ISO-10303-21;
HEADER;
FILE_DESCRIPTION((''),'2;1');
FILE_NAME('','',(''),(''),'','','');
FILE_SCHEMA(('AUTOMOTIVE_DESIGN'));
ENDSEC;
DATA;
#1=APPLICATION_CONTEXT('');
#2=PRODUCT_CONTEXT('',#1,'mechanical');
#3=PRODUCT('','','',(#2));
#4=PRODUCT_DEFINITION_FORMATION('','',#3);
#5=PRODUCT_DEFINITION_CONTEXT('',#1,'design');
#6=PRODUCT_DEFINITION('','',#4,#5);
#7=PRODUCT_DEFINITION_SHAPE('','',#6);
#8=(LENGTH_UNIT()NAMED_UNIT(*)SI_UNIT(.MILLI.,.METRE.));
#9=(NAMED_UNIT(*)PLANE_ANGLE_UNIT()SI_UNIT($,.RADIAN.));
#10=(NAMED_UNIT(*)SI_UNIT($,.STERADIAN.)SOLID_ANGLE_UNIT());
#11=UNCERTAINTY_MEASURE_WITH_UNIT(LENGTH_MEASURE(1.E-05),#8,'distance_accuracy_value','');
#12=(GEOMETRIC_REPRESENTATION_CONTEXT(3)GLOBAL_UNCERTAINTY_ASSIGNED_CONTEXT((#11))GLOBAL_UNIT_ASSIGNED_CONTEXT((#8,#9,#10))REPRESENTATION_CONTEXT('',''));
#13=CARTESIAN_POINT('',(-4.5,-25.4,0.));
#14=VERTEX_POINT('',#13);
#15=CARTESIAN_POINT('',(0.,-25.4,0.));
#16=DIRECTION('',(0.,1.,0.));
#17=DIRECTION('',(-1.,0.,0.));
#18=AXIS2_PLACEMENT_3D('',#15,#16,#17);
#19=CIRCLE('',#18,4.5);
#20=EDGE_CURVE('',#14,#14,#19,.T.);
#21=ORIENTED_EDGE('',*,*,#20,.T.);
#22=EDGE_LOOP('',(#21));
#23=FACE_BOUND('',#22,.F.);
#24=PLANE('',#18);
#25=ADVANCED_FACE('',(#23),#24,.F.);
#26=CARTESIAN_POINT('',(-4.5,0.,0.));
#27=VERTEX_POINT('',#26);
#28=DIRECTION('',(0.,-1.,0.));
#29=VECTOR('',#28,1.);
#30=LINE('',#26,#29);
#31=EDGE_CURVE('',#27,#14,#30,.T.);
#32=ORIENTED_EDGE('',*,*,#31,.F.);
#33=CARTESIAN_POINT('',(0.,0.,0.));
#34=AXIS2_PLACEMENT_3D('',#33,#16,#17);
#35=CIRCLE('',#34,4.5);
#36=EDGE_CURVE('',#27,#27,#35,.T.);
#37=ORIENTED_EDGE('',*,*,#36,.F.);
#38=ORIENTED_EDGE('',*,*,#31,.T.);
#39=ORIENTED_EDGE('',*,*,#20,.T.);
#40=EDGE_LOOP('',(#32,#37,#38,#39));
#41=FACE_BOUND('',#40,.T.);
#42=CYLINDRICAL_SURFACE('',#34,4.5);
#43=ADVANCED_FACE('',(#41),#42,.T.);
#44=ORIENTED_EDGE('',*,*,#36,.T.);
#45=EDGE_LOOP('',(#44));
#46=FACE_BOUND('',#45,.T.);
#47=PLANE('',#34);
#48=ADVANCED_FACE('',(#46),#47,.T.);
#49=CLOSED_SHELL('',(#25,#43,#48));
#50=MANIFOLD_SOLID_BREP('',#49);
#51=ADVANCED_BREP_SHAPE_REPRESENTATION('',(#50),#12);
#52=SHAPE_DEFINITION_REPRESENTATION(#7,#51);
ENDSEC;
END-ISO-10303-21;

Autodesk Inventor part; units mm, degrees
ref_plane "YZ Plane" through (0, 0, 0) normal (1, 0, 0) x (0, 1, 0)
ref_plane "XZ Plane" through (0, 0, 0) normal (0, 1, 0) x (-1, 0, 0)
ref_plane "XY Plane" through (0, 0, 0) normal (0, 0, 1) x (1, 0, 0)
sketch "Sketch1" plane through (0, 0, 0) normal (0, 1, 0) x (-1, 0, 0)
  circle A0 centre (0, 0) radius 4.5
  dimension "d4" = 9
extrude "Extrusion1" add sketch "Sketch1" against normal blind 25.4
thread "Thread2" size "M9x1.25" class "6g" standard "ANSI Metric M Profile" full length
properties part number "testingThread"
